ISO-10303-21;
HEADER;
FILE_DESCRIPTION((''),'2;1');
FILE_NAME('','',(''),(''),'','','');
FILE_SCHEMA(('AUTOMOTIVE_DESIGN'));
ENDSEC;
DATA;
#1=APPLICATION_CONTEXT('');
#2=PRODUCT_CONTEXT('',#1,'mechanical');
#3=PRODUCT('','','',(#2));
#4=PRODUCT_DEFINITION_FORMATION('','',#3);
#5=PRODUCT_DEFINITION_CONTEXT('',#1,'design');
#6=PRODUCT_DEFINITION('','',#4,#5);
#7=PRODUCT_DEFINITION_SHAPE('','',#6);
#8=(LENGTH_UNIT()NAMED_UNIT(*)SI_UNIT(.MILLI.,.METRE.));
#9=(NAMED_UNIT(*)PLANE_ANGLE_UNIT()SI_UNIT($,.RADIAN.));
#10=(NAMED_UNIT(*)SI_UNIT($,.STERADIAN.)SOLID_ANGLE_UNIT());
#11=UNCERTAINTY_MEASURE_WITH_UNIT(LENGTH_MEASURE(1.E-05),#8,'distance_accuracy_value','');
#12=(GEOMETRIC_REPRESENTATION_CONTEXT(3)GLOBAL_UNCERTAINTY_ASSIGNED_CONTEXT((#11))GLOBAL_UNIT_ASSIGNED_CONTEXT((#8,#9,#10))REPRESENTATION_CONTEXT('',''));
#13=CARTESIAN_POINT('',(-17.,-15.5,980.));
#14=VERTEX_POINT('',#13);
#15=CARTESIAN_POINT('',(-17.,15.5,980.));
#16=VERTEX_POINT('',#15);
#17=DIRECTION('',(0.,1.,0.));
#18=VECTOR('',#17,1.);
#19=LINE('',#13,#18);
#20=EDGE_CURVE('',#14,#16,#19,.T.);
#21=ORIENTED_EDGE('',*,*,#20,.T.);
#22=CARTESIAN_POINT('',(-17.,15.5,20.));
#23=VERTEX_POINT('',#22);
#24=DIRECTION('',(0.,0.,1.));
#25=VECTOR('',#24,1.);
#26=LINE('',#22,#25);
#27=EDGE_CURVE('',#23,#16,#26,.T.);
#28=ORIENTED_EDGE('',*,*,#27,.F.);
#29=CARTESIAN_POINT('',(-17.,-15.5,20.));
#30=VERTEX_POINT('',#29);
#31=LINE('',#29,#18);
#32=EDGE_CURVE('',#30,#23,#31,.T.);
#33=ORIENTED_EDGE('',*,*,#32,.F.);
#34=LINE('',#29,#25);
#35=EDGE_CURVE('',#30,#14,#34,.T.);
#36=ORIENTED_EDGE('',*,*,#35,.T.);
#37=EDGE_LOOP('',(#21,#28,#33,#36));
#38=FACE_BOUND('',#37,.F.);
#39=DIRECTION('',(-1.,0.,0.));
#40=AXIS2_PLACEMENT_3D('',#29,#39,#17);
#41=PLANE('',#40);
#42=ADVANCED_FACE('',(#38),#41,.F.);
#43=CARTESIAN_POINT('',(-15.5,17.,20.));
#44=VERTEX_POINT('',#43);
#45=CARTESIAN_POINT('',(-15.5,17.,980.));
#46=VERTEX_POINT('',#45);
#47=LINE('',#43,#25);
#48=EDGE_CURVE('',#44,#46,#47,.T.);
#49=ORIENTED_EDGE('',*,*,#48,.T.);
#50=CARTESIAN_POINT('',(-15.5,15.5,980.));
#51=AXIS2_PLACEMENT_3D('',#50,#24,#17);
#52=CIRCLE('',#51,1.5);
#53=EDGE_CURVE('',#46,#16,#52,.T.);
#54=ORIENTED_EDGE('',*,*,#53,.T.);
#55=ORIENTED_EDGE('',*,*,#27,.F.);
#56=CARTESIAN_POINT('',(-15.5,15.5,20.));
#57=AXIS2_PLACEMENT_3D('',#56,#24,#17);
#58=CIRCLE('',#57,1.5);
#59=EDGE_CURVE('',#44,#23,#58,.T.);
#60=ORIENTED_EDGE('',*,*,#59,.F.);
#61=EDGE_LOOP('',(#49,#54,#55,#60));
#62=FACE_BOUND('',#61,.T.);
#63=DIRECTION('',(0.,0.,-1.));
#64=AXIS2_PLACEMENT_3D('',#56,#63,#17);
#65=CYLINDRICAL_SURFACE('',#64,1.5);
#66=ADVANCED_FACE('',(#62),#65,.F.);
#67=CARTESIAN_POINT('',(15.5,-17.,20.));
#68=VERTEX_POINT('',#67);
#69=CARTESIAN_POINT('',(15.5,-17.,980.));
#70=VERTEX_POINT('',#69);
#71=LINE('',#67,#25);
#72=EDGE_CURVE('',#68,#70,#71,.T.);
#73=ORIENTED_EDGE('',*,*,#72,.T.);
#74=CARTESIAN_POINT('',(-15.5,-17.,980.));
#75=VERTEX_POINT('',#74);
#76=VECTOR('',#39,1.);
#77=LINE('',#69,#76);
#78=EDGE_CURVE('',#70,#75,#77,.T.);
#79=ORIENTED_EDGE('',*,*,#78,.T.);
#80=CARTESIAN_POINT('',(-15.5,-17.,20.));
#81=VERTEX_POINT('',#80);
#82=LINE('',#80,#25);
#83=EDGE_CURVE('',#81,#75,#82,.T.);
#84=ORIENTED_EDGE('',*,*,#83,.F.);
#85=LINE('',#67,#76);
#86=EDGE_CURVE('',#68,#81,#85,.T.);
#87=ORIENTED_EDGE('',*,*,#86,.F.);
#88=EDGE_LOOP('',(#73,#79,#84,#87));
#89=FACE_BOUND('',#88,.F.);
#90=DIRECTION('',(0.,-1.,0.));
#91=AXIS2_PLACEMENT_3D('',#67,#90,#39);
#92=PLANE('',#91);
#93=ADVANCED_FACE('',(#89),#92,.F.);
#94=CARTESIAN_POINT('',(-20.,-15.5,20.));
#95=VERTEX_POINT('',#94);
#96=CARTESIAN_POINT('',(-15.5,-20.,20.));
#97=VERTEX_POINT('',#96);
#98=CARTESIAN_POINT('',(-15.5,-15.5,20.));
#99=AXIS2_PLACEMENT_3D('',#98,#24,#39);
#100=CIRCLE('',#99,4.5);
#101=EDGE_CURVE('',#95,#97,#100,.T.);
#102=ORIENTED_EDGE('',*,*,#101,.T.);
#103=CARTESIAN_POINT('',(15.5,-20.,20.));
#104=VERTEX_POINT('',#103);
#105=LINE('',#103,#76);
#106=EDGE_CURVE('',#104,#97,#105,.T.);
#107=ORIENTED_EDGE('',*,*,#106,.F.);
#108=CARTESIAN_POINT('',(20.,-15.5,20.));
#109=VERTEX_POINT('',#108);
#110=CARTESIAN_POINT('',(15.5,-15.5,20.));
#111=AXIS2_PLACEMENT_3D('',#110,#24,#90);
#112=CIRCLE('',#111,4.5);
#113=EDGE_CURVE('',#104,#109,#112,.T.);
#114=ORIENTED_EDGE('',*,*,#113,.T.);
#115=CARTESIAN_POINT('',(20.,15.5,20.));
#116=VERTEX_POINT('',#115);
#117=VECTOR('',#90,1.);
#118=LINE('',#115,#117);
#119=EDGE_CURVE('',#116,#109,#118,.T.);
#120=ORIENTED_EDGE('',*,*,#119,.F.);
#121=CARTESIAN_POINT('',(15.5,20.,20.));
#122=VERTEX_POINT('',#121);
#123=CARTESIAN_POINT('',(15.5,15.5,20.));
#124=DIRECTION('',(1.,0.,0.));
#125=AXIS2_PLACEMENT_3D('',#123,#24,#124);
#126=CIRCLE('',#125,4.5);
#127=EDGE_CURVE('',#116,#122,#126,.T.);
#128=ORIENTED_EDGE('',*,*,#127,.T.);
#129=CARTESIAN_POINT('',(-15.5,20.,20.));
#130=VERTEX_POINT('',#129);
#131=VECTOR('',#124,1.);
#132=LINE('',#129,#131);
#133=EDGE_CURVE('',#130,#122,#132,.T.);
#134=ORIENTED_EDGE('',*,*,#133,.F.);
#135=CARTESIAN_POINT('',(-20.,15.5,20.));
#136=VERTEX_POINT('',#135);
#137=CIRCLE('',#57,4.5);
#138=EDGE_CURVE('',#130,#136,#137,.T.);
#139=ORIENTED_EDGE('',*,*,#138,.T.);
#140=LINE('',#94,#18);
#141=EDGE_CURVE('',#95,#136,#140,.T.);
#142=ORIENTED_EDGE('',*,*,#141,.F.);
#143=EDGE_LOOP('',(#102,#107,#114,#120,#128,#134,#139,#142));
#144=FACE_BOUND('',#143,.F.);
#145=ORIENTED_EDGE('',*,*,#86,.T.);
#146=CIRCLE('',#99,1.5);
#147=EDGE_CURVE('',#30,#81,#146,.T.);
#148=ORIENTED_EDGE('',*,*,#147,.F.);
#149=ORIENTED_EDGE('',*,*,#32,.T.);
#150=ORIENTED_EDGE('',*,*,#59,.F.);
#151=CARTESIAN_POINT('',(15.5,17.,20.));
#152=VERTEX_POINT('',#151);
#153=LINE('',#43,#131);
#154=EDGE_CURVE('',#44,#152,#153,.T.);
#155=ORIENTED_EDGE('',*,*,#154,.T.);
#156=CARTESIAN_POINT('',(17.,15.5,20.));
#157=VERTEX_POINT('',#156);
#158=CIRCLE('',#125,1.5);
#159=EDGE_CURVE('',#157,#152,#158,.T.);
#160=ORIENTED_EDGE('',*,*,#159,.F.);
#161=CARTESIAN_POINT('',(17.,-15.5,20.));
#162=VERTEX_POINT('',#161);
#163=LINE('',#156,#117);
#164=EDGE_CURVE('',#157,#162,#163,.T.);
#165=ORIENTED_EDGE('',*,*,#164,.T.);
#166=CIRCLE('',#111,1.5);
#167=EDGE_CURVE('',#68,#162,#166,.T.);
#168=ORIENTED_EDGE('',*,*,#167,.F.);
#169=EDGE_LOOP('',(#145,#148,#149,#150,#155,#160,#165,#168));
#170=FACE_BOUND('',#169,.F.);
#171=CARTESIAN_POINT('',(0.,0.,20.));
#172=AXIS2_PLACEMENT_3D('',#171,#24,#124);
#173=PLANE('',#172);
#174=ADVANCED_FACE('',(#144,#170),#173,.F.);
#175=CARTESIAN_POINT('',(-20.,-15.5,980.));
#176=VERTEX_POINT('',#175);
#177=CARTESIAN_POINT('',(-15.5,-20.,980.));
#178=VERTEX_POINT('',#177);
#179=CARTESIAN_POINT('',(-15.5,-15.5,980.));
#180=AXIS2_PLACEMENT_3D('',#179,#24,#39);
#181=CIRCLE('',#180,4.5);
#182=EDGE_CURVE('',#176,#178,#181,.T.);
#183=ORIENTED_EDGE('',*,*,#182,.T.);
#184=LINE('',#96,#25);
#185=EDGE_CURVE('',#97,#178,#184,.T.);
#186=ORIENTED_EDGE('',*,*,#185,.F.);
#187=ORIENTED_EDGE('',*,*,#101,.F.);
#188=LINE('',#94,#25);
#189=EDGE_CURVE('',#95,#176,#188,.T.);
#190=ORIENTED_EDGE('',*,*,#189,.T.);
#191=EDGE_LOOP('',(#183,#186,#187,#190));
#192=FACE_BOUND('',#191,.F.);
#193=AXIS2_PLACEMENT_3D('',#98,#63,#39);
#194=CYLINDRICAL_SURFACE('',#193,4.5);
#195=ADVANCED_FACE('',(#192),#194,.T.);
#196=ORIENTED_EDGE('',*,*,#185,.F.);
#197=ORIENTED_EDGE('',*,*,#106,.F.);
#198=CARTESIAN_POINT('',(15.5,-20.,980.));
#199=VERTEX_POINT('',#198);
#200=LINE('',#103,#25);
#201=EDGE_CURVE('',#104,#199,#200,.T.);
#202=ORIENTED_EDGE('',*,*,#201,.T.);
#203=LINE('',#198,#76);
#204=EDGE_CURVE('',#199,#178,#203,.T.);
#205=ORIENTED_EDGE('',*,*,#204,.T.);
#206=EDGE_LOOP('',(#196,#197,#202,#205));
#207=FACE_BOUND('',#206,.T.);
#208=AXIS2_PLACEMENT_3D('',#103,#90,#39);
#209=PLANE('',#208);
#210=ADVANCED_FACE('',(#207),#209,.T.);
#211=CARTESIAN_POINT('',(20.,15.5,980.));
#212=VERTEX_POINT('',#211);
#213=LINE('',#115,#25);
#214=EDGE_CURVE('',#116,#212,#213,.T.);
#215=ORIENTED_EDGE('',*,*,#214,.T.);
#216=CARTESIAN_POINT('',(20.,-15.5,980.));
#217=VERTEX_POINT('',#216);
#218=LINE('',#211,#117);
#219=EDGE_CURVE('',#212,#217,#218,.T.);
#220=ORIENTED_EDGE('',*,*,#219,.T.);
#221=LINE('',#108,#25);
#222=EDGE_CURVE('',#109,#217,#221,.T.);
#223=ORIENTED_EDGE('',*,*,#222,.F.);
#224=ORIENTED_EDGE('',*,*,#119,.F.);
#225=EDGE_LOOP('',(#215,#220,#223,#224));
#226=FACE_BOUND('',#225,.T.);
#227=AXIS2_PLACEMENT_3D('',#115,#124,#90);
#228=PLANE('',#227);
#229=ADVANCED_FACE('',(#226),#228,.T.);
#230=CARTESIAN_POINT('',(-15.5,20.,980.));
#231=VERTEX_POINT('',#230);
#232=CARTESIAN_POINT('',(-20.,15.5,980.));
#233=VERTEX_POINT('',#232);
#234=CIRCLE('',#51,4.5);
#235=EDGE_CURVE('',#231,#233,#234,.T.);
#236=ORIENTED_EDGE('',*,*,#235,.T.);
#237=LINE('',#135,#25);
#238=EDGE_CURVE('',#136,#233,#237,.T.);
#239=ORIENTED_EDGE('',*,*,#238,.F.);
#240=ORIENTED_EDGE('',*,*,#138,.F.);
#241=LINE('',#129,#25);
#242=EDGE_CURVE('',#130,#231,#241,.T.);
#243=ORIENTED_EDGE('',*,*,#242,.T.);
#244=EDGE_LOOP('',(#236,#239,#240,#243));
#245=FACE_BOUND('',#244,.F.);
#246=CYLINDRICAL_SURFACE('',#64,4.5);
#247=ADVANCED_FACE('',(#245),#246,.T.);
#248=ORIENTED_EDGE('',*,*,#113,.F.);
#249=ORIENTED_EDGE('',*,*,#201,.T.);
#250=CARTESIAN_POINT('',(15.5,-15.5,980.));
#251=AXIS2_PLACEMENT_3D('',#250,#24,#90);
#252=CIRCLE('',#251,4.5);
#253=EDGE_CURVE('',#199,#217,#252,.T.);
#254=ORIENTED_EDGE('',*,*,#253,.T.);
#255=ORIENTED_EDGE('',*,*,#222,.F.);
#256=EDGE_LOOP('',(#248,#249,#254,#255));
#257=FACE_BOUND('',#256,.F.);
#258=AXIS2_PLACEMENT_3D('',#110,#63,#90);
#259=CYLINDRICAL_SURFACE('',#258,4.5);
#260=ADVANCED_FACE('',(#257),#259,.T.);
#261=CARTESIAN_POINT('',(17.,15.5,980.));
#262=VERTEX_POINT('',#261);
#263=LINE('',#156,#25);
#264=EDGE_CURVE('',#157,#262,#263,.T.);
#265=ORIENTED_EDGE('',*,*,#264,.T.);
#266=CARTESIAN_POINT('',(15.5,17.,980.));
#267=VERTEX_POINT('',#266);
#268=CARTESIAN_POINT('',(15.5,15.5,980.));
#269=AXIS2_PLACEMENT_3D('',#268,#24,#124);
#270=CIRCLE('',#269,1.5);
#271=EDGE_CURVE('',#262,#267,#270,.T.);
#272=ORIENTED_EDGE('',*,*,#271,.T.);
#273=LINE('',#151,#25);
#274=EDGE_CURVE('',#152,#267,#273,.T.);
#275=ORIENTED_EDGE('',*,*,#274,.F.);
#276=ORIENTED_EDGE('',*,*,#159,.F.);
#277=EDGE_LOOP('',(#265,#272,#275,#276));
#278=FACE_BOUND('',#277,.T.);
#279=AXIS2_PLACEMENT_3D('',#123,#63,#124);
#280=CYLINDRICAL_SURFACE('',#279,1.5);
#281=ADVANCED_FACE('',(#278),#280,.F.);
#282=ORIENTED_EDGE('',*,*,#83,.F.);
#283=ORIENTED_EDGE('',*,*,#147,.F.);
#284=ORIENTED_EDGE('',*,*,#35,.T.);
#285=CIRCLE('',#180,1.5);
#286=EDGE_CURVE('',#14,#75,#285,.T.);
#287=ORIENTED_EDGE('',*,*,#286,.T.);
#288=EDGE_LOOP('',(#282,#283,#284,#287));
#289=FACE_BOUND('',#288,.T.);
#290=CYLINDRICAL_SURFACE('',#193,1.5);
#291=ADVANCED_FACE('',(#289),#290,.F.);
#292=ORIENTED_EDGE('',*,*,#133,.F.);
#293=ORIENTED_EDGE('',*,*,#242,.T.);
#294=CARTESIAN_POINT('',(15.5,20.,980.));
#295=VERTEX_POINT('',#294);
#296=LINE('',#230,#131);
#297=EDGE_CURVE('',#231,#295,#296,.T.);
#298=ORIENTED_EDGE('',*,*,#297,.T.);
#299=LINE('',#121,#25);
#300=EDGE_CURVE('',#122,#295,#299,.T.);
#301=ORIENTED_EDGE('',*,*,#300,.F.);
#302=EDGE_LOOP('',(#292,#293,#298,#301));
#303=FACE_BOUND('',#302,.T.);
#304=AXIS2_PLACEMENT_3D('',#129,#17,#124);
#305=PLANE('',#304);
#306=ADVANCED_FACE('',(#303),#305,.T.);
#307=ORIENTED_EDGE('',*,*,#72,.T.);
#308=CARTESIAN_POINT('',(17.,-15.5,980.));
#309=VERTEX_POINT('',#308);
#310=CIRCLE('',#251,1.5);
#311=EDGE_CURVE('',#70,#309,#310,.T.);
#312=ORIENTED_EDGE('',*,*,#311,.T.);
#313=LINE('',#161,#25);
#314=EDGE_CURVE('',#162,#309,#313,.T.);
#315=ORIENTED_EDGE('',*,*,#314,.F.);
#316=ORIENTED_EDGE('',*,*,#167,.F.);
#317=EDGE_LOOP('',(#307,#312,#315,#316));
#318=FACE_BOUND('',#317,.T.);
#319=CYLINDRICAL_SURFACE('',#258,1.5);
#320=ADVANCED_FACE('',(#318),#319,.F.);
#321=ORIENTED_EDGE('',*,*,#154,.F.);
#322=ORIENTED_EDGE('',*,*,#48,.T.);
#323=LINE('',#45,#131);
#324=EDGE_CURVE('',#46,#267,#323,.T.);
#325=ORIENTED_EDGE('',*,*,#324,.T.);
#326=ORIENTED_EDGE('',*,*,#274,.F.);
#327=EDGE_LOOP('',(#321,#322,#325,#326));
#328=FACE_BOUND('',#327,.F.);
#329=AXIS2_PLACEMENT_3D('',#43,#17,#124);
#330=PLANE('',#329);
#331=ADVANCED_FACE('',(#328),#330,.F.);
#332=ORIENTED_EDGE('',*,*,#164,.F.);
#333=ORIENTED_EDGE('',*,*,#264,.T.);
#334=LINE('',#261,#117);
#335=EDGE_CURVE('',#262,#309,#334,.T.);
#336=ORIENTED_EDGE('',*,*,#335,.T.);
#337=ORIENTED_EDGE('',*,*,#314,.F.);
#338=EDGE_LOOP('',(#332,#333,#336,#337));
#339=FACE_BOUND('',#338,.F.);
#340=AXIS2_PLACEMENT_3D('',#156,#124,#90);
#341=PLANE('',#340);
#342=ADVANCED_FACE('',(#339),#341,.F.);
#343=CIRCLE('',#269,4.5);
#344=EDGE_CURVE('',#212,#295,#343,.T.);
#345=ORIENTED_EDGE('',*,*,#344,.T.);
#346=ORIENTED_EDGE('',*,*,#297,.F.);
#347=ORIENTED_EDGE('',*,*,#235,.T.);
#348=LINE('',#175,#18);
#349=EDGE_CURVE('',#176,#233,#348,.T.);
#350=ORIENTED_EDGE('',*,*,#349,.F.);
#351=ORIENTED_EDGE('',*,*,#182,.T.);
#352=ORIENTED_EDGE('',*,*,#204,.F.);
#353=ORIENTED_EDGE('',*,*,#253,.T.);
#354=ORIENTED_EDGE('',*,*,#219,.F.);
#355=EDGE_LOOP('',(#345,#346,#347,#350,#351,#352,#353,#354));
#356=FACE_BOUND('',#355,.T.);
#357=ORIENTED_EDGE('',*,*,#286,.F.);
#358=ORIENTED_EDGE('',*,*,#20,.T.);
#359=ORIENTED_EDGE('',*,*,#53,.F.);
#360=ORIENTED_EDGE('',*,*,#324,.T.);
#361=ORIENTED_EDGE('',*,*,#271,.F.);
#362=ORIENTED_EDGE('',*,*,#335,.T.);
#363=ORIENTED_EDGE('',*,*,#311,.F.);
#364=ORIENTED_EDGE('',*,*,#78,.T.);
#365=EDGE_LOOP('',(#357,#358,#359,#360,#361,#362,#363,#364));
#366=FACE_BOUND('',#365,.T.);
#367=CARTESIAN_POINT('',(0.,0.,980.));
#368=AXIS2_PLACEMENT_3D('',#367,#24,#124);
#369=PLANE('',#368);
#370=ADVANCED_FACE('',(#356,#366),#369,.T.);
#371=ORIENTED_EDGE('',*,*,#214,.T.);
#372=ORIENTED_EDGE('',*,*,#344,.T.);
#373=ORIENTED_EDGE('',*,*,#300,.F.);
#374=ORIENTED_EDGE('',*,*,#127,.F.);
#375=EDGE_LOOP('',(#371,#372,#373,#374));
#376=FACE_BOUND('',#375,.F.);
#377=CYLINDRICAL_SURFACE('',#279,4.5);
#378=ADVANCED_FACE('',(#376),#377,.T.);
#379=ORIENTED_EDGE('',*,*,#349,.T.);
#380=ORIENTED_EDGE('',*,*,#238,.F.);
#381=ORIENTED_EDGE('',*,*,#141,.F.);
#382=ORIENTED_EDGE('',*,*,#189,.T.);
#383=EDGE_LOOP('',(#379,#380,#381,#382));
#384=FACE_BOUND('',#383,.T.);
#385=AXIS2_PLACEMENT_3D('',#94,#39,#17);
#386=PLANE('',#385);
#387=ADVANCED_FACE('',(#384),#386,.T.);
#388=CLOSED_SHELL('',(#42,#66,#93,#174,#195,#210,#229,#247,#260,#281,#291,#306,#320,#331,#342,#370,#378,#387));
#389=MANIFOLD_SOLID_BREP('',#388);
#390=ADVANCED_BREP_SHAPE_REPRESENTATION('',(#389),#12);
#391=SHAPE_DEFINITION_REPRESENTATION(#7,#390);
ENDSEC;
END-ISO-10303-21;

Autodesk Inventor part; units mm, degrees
ref_plane "Start Plane" through (0, 0, 20) normal (0, 0, 1) x (1, 0, 0)
ref_plane "End Plane" through (0, 0, 980) normal (0, 0, 1) x (1, 0, 0)
sketch "Sketch" plane through (0, 0, 0) normal (0, 0, 1) x (1, 0, 0)
  line L0 (-20, -15.5) -> (-20, 15.5)
  line L1 (-15.5, 20) -> (15.5, 20)
  line L2 (20, 15.5) -> (20, -15.5)
  line L3 (15.5, -20) -> (-15.5, -20)
  arc A0 (-20, -15.5) -> (-15.5, -20) centre (-15.5, -15.5) ccw
  arc A1 (-15.5, 20) -> (-20, 15.5) centre (-15.5, 15.5) ccw
  arc A2 (20, 15.5) -> (15.5, 20) centre (15.5, 15.5) ccw
  arc A3 (15.5, -20) -> (20, -15.5) centre (15.5, -15.5) ccw
  arc A4 (-15.5, 17) -> (-17, 15.5) centre (-15.5, 15.5) ccw
  line L4 (-15.5, 17) -> (15.5, 17)
  arc A5 (17, 15.5) -> (15.5, 17) centre (15.5, 15.5) ccw
  line L5 (17, 15.5) -> (17, -15.5)
  arc A6 (15.5, -17) -> (17, -15.5) centre (15.5, -15.5) ccw
  line L6 (15.5, -17) -> (-15.5, -17)
  arc A7 (-17, -15.5) -> (-15.5, -17) centre (-15.5, -15.5) ccw
  line L7 (-17, -15.5) -> (-17, 15.5)
  line L8 (0, 29.3048) -> (0, -29.3048) construction
  line L9 (-29.3048, 0) -> (29.3048, 0) construction
  dimension "d7" = 4.5
  dimension "d10" = 40
  dimension "d11" = 40
  dimension "d12" = 3
  dimension "d15" = 20
  dimension "d16" = 20
extrude "Body" add sketch "Sketch" along normal up to surface (960 mm away) from surface at 20
sketch "Sketch3" plane through (0, 0, 0) normal (0, 0, 1) x (1, 0, 0)
  line L0 (0, 0) -> (10, 0)
ref_plane "Work Plane3" through (0, 0, 0) normal (0, -1, 0) x (1, 0, 0)
ref_plane "Work Plane4" through (-80, 15.5, 980) normal (0, 0, 1) x (1, 0, 0)
split "Split1" plane through (-80, 15.5, 980) removes the side toward (0, 0, 1)
ref_plane "Work Plane5" through (-80, -15.5, 20) normal (0, 0, -1) x (-1, 0, 0)
split "Split2" plane through (-80, -15.5, 20) removes the side toward (0, 0, -1)
sketch "Sketch4" plane through (0, 0, 0) normal (0, -1, 0) x (1, 0, 0)
  line L0 (-2, 20) -> (12, 20) projected
  line L1 (-2, 980) -> (12, 980) projected
  dimension "d18" = 960
equation "\"d7\" = G_IR"
equation "\"d10\" = G_H"
equation "\"d11\" = G_W"
equation "\"d12\" = G_T"
equation "\"d15\" = 0.5 * d10"
equation "\"d16\" = 0.5 * d11"
equation "\"d3\" = G_L"
equation "\"G_W\" = 40"
equation "\"G_H\" = 40"
equation "\"G_T\" = 3"
equation "\"G_IR\" = 4.5"
equation "\"G_L\" = d18"
properties part number "ISO 12633-2 - 40x40x3 - 960" material "Steel, Mild"
